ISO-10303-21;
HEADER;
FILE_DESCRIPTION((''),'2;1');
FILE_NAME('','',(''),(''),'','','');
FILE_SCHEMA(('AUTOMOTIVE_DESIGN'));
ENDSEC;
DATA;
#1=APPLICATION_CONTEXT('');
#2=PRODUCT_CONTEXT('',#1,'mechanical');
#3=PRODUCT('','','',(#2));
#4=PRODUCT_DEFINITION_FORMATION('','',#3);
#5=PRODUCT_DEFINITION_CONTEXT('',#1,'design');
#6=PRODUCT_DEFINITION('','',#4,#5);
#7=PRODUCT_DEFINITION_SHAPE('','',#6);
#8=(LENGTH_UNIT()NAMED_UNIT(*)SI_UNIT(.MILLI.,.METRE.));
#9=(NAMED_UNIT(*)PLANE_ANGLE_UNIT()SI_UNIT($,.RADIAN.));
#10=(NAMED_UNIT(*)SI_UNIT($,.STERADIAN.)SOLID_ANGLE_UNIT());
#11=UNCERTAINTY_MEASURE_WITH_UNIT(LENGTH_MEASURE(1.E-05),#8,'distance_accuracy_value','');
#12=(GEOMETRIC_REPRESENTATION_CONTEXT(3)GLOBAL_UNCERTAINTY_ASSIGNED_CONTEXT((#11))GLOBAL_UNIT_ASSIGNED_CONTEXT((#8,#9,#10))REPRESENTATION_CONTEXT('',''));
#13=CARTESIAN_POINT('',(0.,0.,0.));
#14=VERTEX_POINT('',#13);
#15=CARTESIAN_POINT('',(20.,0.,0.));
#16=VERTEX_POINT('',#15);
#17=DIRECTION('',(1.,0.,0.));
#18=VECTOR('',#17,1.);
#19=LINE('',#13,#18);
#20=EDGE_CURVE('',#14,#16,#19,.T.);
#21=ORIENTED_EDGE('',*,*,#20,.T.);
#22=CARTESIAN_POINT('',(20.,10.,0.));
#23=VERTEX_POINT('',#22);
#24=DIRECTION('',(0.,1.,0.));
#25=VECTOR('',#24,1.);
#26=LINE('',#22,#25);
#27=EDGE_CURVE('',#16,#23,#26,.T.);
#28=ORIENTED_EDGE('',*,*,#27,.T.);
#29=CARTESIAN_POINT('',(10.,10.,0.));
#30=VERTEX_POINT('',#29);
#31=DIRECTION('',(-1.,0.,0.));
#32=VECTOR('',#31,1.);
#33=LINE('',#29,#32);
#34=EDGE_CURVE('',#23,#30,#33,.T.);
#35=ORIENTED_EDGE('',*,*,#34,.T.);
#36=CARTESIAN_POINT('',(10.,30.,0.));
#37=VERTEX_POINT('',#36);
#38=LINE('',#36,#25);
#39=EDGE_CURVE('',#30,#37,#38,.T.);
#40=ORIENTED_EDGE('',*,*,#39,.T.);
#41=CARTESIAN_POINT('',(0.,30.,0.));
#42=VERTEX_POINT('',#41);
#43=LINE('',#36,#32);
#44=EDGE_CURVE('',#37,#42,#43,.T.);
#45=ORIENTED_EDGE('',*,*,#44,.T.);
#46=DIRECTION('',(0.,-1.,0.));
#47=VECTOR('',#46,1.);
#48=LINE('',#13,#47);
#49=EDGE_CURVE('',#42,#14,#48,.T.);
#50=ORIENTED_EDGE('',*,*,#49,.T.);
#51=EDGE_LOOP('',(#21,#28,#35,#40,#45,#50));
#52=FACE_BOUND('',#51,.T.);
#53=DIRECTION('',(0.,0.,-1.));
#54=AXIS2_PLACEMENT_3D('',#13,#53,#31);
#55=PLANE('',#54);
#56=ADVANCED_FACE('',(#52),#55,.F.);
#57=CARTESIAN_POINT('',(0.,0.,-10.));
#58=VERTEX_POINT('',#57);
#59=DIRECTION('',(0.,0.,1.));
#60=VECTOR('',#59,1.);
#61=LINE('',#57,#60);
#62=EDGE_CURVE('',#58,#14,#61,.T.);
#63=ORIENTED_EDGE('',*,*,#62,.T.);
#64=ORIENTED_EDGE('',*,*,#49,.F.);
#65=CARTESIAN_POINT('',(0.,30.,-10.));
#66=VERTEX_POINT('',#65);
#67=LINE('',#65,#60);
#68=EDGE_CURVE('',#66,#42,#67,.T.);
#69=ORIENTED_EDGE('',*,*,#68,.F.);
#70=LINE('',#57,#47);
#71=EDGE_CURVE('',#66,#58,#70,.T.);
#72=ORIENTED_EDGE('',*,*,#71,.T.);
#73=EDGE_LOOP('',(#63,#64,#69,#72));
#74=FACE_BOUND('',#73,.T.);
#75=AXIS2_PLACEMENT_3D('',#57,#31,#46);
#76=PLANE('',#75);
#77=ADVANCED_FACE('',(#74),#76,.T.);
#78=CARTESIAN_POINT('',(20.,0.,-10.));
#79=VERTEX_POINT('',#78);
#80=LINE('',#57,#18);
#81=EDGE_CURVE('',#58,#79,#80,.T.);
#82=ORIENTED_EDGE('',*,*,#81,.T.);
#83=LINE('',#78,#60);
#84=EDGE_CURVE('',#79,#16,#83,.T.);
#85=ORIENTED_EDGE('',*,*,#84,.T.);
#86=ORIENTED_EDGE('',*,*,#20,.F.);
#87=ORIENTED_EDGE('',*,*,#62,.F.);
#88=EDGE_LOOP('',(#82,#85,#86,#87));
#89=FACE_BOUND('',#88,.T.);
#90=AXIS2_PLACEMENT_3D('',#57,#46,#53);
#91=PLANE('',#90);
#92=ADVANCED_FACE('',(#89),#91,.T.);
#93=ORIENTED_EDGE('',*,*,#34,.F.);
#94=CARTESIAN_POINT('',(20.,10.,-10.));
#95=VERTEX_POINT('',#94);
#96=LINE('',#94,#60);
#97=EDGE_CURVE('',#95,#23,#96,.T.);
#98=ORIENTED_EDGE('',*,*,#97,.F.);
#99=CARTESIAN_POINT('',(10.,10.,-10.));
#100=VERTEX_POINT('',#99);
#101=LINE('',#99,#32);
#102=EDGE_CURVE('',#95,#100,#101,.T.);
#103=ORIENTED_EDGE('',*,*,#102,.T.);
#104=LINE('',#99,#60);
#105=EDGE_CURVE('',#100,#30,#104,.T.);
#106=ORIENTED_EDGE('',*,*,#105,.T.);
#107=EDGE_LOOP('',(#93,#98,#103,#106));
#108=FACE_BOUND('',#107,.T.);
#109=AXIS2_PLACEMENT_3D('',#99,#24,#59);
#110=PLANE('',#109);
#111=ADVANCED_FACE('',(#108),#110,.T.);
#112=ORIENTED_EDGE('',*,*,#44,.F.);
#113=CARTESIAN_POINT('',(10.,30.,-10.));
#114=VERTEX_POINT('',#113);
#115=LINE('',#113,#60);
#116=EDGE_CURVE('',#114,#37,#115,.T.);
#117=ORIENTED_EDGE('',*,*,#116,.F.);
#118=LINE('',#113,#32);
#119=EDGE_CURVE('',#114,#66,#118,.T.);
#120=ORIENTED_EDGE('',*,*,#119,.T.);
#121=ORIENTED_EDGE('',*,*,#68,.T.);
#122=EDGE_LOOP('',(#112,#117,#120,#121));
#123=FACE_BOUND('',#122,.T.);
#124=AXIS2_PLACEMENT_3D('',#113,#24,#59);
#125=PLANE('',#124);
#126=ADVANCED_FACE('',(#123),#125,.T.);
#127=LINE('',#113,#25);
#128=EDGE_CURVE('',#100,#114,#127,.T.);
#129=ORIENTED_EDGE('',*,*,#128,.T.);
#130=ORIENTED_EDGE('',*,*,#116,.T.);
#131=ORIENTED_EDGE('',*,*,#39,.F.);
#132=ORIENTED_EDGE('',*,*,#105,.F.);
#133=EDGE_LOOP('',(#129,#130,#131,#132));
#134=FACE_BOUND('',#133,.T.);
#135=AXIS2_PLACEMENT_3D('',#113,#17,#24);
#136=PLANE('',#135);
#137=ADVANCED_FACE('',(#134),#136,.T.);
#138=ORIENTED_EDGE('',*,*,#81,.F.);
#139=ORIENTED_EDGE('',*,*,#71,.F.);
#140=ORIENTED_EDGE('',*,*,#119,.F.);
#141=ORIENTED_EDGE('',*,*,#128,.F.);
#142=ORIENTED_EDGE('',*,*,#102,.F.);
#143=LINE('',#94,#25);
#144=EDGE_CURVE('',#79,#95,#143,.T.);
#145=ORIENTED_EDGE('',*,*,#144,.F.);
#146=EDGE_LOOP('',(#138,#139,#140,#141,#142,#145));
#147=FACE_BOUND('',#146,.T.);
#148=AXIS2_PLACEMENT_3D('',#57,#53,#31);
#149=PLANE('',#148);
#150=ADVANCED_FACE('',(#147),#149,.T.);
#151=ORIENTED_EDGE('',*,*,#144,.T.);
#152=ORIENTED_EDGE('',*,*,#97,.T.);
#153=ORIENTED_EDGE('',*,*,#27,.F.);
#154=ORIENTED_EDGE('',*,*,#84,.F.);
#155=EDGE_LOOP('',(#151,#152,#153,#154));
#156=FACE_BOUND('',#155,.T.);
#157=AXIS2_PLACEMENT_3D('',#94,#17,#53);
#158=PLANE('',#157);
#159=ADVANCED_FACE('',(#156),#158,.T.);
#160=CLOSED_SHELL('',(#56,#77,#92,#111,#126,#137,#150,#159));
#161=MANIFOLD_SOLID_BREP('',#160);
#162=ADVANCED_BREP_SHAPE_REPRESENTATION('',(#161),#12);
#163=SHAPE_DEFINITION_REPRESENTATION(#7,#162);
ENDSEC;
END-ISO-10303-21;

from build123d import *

# Parameters (mm, degrees)
BOSS_EXTRU_1_DEPTH = 10


with BuildPart() as part:
    # Esquisse1 → Boss.-Extru.1 (new body)
    with BuildSketch(Plane.XY):
        Polygon((0, 0), (0, 30), (10, 30), (10, 10), (20, 10), (20, 0), align=None)
    extrude(amount=-BOSS_EXTRU_1_DEPTH)


solid = part.part
